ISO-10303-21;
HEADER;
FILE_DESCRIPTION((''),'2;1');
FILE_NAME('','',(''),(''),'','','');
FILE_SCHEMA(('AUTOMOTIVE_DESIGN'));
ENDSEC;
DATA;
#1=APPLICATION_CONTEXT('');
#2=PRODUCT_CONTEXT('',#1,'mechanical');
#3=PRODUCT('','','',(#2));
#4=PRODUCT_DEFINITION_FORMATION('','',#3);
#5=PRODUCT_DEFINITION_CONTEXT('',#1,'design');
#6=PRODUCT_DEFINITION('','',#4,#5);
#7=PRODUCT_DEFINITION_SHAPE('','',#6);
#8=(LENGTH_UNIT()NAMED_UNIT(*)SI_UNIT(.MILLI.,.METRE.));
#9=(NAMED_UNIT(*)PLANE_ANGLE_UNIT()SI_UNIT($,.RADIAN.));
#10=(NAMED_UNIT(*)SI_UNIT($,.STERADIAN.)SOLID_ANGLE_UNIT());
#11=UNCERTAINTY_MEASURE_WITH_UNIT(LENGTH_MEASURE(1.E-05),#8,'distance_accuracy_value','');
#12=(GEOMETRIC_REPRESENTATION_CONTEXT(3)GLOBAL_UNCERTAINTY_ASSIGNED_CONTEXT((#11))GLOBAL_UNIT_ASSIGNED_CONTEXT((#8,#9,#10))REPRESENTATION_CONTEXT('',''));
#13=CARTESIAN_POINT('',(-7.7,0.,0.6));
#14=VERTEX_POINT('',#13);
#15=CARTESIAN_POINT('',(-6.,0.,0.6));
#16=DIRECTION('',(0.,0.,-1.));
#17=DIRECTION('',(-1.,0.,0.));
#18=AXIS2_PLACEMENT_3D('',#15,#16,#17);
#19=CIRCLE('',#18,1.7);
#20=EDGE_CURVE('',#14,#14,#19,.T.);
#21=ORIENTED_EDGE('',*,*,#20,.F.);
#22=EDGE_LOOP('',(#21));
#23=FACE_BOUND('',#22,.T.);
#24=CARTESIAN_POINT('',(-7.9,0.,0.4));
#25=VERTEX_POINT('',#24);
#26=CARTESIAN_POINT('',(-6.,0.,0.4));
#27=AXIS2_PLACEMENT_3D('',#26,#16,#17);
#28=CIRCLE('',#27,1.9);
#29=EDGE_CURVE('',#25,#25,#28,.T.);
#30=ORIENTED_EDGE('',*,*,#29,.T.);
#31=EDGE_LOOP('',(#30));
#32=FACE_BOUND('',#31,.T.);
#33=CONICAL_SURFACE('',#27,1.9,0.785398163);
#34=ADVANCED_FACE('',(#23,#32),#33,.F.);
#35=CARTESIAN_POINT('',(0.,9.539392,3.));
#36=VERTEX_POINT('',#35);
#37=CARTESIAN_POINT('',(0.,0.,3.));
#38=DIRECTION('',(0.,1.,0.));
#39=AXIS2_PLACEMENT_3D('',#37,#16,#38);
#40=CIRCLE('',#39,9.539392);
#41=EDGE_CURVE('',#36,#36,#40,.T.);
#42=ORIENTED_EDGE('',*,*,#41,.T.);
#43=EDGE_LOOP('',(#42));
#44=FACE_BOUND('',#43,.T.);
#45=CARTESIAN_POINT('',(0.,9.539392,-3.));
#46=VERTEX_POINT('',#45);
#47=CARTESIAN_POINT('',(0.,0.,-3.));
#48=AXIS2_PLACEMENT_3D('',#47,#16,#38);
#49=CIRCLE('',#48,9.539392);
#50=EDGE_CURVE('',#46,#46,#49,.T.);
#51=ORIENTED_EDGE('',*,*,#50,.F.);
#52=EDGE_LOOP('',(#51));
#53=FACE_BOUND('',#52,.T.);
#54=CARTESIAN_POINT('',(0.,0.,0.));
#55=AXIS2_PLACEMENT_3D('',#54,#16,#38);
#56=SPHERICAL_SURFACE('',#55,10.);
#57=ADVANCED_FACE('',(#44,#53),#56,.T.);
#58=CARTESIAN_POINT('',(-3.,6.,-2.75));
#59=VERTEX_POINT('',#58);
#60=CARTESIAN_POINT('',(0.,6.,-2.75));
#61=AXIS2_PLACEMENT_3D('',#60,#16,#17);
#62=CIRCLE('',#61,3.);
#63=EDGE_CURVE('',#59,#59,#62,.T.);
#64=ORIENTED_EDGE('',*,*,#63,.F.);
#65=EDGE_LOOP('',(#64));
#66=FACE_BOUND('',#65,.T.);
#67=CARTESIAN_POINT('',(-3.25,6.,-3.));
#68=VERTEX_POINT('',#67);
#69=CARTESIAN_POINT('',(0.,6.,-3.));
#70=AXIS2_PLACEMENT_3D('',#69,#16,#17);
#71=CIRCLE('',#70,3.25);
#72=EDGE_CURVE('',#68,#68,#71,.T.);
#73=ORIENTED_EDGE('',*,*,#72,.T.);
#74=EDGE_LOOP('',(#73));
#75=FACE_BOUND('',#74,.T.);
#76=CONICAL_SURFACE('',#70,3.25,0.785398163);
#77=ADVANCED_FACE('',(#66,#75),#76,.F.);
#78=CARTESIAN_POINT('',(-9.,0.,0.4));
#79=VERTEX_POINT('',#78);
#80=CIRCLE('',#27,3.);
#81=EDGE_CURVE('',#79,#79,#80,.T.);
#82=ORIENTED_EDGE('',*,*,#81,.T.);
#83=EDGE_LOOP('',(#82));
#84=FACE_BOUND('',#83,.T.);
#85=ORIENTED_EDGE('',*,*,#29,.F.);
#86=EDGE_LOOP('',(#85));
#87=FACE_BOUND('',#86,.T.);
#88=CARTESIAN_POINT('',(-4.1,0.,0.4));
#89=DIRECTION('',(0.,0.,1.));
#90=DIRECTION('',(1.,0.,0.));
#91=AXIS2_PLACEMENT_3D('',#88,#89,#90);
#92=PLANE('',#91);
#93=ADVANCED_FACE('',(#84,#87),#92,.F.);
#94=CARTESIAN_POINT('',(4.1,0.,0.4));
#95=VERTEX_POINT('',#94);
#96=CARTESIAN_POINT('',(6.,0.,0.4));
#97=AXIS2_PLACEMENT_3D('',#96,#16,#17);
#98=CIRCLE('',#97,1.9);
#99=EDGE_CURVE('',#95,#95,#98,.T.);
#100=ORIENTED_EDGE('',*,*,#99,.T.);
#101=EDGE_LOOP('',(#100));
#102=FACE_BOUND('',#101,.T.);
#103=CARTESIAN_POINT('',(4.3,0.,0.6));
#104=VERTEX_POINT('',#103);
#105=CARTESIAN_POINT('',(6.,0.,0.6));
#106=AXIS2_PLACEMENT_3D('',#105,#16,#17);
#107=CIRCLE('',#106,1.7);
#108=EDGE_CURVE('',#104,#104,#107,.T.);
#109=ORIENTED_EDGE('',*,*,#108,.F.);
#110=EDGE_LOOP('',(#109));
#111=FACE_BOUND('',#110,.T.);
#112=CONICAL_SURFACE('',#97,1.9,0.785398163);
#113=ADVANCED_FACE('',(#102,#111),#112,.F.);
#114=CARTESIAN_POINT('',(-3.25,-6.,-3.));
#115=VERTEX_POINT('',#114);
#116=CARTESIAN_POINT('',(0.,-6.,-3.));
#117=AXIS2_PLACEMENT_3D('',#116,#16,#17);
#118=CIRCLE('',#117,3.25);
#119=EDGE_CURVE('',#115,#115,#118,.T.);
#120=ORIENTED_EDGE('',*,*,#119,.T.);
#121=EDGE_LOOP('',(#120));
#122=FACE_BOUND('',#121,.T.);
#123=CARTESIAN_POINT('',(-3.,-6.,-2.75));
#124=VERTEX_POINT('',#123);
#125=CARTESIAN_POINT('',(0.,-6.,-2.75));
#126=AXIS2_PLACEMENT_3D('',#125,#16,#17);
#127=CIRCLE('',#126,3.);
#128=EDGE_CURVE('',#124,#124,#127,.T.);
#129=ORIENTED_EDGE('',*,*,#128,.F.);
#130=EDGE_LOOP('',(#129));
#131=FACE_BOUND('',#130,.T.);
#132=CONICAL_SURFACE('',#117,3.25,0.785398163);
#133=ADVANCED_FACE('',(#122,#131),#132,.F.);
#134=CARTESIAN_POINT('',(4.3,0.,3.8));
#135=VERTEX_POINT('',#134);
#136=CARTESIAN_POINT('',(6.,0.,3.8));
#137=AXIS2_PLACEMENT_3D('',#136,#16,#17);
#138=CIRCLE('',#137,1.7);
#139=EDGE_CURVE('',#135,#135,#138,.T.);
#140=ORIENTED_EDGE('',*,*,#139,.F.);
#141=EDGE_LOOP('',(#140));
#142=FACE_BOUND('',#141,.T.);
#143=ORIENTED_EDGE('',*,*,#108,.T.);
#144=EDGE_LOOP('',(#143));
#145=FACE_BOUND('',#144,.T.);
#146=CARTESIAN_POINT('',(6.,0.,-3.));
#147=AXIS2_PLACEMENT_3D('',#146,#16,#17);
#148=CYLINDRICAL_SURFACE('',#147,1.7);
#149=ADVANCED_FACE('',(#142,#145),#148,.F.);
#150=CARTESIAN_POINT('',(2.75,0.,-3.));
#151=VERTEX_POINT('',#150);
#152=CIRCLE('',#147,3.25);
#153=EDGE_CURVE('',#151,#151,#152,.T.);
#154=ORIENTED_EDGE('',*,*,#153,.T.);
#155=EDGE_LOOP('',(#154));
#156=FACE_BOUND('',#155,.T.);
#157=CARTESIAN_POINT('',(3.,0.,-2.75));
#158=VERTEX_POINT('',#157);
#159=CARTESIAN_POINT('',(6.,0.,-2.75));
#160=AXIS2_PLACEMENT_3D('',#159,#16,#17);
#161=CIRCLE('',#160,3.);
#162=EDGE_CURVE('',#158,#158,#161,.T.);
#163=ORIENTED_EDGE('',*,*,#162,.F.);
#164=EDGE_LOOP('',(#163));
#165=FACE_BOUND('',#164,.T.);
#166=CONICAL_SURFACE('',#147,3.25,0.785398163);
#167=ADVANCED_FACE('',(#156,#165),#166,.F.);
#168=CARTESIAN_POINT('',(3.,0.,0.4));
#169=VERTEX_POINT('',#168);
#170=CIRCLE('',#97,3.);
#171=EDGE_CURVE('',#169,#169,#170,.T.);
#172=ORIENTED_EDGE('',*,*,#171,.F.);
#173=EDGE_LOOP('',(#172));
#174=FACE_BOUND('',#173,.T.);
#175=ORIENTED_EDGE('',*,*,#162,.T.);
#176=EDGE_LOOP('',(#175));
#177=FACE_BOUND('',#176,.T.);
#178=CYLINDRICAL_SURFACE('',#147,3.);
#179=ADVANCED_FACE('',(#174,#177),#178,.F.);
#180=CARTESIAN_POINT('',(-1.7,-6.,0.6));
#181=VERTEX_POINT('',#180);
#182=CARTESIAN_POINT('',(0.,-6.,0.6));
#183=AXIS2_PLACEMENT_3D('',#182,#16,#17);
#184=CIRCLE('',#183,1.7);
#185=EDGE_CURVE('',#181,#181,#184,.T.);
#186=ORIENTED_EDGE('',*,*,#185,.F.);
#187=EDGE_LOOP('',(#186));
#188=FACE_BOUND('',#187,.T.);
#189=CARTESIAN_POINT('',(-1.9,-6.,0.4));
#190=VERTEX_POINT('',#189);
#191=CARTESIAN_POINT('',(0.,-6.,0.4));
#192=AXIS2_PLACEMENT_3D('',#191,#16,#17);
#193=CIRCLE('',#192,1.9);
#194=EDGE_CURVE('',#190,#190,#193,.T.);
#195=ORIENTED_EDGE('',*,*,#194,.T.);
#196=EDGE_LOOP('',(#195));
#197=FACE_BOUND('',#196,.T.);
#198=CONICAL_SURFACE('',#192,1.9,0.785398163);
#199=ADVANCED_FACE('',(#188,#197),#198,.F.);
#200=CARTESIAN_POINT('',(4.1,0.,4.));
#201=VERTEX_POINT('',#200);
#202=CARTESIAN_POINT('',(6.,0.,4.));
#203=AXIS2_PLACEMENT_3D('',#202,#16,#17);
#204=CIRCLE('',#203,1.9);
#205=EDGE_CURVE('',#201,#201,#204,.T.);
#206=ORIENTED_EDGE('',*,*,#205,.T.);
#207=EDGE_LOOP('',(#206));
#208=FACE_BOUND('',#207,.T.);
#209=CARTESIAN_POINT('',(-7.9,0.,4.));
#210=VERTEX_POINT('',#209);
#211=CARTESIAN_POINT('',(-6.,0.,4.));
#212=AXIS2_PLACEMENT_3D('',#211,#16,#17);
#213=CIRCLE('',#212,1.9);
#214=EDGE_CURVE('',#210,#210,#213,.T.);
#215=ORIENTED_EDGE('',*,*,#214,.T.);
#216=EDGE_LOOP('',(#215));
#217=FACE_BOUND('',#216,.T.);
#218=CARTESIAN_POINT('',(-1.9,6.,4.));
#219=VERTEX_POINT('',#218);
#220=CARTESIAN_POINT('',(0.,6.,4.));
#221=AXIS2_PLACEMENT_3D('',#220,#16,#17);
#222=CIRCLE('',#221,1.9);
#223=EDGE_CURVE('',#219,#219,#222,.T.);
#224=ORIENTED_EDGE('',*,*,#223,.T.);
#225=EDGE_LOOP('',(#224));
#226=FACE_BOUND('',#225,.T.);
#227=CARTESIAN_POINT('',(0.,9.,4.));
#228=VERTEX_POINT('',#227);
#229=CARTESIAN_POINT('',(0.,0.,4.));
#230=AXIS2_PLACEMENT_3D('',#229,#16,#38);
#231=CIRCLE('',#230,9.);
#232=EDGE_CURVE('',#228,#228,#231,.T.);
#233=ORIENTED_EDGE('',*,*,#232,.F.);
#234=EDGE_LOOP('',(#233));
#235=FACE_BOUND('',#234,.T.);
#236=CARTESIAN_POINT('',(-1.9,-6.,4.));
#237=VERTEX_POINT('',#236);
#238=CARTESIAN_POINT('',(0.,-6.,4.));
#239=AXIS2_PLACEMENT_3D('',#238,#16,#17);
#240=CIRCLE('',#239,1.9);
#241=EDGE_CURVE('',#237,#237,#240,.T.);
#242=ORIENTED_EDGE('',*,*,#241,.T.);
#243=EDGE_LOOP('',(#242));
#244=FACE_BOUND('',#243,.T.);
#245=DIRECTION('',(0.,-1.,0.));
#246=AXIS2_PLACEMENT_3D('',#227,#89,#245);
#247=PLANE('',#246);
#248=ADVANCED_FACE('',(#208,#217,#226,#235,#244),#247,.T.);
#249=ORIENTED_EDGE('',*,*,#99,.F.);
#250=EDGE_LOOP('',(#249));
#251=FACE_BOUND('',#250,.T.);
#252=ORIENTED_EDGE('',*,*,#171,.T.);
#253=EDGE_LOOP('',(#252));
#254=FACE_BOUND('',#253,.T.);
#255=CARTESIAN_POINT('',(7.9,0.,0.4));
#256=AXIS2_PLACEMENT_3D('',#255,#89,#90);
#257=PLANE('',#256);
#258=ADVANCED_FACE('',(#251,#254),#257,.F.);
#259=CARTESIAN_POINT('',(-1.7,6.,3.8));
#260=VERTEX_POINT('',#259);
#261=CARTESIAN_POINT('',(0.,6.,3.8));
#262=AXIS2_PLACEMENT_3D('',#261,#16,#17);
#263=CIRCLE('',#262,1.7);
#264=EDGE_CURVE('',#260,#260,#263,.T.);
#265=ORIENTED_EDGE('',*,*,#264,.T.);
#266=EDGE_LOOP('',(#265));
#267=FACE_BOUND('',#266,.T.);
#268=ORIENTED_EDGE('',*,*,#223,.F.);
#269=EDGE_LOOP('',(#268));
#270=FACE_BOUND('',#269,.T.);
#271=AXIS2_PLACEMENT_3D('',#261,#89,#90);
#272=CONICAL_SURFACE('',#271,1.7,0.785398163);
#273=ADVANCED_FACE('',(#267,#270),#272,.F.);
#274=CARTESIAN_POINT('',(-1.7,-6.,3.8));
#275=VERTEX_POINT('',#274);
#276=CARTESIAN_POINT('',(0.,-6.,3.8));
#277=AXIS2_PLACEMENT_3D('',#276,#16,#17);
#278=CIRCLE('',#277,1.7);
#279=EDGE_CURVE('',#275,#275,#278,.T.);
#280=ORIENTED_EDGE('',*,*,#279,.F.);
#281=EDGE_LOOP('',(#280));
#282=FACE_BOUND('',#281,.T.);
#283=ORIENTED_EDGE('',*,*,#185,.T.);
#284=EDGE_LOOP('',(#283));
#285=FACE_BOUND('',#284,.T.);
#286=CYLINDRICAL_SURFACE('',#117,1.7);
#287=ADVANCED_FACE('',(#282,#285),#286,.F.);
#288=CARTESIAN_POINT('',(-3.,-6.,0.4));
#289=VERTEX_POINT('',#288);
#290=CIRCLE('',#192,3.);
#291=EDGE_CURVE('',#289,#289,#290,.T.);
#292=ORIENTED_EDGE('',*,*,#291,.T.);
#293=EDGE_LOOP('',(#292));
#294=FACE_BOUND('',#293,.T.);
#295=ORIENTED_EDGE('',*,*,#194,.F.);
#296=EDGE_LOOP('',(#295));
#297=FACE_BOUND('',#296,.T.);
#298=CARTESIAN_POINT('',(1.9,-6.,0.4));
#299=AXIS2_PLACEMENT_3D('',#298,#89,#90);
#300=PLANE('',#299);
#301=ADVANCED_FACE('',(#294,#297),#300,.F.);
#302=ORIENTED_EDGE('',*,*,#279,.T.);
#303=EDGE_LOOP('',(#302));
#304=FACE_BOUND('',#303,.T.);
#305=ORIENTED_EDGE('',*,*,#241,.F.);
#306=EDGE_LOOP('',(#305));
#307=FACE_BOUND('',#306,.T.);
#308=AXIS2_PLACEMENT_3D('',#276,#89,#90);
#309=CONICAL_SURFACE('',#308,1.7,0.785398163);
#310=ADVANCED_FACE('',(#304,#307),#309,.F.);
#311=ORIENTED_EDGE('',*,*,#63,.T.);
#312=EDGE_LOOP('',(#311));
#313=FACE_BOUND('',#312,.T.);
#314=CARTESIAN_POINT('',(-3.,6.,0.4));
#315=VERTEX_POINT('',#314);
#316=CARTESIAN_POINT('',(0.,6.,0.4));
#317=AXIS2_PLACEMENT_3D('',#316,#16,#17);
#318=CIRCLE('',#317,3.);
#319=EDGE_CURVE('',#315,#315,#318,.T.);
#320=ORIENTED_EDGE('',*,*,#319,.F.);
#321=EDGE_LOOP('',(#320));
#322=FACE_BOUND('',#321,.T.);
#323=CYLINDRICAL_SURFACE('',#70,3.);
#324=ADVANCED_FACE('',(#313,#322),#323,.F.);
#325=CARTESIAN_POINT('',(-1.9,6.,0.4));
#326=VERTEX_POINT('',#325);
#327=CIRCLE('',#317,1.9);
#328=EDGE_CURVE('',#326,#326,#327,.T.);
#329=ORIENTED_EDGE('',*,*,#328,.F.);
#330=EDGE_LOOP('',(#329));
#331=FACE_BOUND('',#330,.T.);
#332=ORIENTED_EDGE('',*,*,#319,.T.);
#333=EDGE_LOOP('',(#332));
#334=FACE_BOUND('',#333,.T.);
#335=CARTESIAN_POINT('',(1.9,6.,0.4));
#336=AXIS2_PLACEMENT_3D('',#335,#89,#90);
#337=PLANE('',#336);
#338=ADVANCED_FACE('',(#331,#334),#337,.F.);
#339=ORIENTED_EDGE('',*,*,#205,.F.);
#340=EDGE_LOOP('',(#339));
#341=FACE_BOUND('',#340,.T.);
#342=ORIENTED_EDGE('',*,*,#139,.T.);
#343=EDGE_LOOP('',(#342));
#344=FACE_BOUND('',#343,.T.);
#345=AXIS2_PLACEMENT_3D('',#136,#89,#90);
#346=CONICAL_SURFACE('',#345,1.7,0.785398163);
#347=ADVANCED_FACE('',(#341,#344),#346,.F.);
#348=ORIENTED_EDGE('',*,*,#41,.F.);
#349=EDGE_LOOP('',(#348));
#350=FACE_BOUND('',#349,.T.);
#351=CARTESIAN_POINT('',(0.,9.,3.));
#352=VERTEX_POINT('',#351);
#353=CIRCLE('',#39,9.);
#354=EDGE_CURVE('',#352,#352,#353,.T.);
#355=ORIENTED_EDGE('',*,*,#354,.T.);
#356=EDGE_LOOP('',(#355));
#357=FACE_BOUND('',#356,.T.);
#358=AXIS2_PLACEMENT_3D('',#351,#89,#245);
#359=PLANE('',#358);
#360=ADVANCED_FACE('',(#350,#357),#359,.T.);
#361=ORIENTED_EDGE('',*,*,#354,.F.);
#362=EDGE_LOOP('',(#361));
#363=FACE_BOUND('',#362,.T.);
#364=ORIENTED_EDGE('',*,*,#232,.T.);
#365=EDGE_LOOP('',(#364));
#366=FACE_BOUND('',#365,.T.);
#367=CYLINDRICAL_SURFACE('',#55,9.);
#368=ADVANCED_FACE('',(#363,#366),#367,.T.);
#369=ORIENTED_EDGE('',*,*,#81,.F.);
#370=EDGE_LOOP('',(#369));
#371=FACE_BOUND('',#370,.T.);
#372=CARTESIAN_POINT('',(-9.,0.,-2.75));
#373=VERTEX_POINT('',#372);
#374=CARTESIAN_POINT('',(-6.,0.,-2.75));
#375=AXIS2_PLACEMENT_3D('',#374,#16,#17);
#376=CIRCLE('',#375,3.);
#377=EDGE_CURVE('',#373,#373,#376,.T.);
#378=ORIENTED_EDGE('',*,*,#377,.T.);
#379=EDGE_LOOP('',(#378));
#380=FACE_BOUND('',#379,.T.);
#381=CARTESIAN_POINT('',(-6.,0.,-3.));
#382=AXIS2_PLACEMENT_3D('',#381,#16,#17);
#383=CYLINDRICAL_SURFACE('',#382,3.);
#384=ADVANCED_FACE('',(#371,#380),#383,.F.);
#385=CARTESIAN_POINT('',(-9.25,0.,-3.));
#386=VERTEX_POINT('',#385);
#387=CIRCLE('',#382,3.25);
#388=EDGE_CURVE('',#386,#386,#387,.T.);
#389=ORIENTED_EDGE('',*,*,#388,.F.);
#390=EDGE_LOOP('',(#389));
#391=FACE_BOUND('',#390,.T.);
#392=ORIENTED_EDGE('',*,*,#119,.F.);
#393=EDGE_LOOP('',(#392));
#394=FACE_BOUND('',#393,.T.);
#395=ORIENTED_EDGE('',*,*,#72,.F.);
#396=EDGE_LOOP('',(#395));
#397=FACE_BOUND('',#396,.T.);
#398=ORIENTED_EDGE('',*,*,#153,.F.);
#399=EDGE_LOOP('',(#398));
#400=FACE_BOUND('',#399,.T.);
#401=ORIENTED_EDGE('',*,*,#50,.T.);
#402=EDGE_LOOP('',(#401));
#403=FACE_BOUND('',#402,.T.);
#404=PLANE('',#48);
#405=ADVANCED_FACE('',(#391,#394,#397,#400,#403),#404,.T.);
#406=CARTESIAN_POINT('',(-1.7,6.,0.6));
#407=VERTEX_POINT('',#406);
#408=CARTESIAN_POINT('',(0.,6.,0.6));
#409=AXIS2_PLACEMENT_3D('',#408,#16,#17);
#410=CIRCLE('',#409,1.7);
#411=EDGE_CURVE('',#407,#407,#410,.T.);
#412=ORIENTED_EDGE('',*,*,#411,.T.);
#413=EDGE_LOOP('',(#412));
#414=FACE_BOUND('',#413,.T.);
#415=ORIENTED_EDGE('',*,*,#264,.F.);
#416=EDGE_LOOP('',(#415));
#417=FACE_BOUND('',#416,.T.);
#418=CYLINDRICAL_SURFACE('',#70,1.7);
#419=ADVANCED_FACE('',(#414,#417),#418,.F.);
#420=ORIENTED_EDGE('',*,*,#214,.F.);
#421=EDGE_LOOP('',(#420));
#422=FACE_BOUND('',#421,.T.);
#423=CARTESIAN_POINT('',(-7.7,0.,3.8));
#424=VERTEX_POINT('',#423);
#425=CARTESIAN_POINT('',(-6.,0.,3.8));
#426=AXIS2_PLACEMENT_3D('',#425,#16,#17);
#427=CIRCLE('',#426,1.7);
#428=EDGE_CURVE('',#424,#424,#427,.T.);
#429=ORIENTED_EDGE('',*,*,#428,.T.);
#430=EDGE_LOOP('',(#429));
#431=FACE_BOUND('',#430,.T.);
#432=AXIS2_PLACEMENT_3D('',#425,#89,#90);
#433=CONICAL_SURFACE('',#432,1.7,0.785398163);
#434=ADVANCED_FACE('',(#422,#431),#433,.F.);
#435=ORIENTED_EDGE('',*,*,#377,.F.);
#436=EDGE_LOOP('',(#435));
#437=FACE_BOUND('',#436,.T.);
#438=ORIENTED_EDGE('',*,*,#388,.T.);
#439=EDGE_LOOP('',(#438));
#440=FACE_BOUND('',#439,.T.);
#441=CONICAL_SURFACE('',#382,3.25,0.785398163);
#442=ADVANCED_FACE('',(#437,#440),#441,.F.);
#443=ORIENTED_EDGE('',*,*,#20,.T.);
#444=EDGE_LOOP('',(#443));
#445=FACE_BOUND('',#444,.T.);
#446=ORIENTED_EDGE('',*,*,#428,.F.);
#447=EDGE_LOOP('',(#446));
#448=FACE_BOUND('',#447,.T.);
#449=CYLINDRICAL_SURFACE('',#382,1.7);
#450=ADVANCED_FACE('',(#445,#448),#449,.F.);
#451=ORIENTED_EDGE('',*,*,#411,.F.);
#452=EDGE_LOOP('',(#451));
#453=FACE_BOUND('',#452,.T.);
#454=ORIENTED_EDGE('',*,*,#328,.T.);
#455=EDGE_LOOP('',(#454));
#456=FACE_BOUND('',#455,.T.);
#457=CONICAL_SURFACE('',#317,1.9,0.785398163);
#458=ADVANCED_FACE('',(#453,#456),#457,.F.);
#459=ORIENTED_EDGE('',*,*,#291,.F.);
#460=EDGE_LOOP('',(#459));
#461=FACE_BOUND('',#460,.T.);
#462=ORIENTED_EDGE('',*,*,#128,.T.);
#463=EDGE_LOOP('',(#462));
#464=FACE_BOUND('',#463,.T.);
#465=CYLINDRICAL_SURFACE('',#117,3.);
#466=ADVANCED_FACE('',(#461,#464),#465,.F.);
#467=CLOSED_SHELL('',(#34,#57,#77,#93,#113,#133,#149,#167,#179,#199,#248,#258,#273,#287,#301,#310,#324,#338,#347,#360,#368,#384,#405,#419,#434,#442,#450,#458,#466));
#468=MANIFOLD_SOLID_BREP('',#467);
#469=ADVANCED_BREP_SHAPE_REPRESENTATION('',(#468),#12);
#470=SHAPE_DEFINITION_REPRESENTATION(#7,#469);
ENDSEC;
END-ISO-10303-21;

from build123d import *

# Parameters (mm, degrees)
HOLE_WIZARD_M31_AT_2_COUNT = 2
HOLE_WIZARD_M31_AT_2_PITCH = 12
HOLE_WIZARD_M31_AT_3_COUNT = 2
HOLE_WIZARD_M31_AT_3_PITCH = 8.485281374
HOLE_WIZARD_M31_AT_4_COUNT = 2
HOLE_WIZARD_M31_AT_4_PITCH = 8.485281374


with BuildPart() as part:
    # Эскиз1 → Повернуть1 (revolve)
    with BuildSketch(Plane(origin=(0, 0, 0), x_dir=(0, 0, -1), z_dir=(1, 0, 0))):
        with BuildLine():
            Line((-4, 9), (-3, 9))
            Line((-3, 9), (-3, 9.539392014))
            ThreePointArc((-3, 9.539392014), (0, 10), (3, 9.539392014))
            Line((3, 9.539392014), (3, 0))
            Line((3, 0), (-4, 0))
            Line((-4, 0), (-4, 9))
        make_face()
    revolve(axis=Axis((0, 0, 0), (0, 0, 1)))

    # Эскиз2 → Цековка для винта с внутренним шестигранником M31 (revolve, cut)
    with BuildSketch(Plane(origin=(6, 0, -3), x_dir=(0, 1, 0), z_dir=(1, 0, 0))):
        Polygon((0, 0), (0, 7), (1.9, 7), (1.7, 6.8), (1.7, 3.6), (1.9, 3.4), (3, 3.4), (3, 0.25), (3.25, 0), align=None)
    hole_wizard_m31 = revolve(axis=Axis((6, 0, -9.35), (0, 0, 1)), mode=Mode.SUBTRACT)

    # Цековка для винта с внутренним шестигранником M31 at 2: Цековка для винта с внутренним шестигранником M31 ×2
    with Locations(*[(-i * HOLE_WIZARD_M31_AT_2_PITCH, 0, 0) for i in range(1, HOLE_WIZARD_M31_AT_2_COUNT)]):
        add(hole_wizard_m31, mode=Mode.SUBTRACT)

    # Цековка для винта с внутренним шестигранником M31 at 3: Цековка для винта с внутренним шестигранником M31 ×2
    with Locations(*[Vector(-0.707106781, 0.707106781, 0) * (i * HOLE_WIZARD_M31_AT_3_PITCH) for i in range(1, HOLE_WIZARD_M31_AT_3_COUNT)]):
        add(hole_wizard_m31, mode=Mode.SUBTRACT)

    # Цековка для винта с внутренним шестигранником M31 at 4: Цековка для винта с внутренним шестигранником M31 ×2
    with Locations(*[Vector(-0.707106781, -0.707106781, 0) * (i * HOLE_WIZARD_M31_AT_4_PITCH) for i in range(1, HOLE_WIZARD_M31_AT_4_COUNT)]):
        add(hole_wizard_m31, mode=Mode.SUBTRACT)


solid = part.part
